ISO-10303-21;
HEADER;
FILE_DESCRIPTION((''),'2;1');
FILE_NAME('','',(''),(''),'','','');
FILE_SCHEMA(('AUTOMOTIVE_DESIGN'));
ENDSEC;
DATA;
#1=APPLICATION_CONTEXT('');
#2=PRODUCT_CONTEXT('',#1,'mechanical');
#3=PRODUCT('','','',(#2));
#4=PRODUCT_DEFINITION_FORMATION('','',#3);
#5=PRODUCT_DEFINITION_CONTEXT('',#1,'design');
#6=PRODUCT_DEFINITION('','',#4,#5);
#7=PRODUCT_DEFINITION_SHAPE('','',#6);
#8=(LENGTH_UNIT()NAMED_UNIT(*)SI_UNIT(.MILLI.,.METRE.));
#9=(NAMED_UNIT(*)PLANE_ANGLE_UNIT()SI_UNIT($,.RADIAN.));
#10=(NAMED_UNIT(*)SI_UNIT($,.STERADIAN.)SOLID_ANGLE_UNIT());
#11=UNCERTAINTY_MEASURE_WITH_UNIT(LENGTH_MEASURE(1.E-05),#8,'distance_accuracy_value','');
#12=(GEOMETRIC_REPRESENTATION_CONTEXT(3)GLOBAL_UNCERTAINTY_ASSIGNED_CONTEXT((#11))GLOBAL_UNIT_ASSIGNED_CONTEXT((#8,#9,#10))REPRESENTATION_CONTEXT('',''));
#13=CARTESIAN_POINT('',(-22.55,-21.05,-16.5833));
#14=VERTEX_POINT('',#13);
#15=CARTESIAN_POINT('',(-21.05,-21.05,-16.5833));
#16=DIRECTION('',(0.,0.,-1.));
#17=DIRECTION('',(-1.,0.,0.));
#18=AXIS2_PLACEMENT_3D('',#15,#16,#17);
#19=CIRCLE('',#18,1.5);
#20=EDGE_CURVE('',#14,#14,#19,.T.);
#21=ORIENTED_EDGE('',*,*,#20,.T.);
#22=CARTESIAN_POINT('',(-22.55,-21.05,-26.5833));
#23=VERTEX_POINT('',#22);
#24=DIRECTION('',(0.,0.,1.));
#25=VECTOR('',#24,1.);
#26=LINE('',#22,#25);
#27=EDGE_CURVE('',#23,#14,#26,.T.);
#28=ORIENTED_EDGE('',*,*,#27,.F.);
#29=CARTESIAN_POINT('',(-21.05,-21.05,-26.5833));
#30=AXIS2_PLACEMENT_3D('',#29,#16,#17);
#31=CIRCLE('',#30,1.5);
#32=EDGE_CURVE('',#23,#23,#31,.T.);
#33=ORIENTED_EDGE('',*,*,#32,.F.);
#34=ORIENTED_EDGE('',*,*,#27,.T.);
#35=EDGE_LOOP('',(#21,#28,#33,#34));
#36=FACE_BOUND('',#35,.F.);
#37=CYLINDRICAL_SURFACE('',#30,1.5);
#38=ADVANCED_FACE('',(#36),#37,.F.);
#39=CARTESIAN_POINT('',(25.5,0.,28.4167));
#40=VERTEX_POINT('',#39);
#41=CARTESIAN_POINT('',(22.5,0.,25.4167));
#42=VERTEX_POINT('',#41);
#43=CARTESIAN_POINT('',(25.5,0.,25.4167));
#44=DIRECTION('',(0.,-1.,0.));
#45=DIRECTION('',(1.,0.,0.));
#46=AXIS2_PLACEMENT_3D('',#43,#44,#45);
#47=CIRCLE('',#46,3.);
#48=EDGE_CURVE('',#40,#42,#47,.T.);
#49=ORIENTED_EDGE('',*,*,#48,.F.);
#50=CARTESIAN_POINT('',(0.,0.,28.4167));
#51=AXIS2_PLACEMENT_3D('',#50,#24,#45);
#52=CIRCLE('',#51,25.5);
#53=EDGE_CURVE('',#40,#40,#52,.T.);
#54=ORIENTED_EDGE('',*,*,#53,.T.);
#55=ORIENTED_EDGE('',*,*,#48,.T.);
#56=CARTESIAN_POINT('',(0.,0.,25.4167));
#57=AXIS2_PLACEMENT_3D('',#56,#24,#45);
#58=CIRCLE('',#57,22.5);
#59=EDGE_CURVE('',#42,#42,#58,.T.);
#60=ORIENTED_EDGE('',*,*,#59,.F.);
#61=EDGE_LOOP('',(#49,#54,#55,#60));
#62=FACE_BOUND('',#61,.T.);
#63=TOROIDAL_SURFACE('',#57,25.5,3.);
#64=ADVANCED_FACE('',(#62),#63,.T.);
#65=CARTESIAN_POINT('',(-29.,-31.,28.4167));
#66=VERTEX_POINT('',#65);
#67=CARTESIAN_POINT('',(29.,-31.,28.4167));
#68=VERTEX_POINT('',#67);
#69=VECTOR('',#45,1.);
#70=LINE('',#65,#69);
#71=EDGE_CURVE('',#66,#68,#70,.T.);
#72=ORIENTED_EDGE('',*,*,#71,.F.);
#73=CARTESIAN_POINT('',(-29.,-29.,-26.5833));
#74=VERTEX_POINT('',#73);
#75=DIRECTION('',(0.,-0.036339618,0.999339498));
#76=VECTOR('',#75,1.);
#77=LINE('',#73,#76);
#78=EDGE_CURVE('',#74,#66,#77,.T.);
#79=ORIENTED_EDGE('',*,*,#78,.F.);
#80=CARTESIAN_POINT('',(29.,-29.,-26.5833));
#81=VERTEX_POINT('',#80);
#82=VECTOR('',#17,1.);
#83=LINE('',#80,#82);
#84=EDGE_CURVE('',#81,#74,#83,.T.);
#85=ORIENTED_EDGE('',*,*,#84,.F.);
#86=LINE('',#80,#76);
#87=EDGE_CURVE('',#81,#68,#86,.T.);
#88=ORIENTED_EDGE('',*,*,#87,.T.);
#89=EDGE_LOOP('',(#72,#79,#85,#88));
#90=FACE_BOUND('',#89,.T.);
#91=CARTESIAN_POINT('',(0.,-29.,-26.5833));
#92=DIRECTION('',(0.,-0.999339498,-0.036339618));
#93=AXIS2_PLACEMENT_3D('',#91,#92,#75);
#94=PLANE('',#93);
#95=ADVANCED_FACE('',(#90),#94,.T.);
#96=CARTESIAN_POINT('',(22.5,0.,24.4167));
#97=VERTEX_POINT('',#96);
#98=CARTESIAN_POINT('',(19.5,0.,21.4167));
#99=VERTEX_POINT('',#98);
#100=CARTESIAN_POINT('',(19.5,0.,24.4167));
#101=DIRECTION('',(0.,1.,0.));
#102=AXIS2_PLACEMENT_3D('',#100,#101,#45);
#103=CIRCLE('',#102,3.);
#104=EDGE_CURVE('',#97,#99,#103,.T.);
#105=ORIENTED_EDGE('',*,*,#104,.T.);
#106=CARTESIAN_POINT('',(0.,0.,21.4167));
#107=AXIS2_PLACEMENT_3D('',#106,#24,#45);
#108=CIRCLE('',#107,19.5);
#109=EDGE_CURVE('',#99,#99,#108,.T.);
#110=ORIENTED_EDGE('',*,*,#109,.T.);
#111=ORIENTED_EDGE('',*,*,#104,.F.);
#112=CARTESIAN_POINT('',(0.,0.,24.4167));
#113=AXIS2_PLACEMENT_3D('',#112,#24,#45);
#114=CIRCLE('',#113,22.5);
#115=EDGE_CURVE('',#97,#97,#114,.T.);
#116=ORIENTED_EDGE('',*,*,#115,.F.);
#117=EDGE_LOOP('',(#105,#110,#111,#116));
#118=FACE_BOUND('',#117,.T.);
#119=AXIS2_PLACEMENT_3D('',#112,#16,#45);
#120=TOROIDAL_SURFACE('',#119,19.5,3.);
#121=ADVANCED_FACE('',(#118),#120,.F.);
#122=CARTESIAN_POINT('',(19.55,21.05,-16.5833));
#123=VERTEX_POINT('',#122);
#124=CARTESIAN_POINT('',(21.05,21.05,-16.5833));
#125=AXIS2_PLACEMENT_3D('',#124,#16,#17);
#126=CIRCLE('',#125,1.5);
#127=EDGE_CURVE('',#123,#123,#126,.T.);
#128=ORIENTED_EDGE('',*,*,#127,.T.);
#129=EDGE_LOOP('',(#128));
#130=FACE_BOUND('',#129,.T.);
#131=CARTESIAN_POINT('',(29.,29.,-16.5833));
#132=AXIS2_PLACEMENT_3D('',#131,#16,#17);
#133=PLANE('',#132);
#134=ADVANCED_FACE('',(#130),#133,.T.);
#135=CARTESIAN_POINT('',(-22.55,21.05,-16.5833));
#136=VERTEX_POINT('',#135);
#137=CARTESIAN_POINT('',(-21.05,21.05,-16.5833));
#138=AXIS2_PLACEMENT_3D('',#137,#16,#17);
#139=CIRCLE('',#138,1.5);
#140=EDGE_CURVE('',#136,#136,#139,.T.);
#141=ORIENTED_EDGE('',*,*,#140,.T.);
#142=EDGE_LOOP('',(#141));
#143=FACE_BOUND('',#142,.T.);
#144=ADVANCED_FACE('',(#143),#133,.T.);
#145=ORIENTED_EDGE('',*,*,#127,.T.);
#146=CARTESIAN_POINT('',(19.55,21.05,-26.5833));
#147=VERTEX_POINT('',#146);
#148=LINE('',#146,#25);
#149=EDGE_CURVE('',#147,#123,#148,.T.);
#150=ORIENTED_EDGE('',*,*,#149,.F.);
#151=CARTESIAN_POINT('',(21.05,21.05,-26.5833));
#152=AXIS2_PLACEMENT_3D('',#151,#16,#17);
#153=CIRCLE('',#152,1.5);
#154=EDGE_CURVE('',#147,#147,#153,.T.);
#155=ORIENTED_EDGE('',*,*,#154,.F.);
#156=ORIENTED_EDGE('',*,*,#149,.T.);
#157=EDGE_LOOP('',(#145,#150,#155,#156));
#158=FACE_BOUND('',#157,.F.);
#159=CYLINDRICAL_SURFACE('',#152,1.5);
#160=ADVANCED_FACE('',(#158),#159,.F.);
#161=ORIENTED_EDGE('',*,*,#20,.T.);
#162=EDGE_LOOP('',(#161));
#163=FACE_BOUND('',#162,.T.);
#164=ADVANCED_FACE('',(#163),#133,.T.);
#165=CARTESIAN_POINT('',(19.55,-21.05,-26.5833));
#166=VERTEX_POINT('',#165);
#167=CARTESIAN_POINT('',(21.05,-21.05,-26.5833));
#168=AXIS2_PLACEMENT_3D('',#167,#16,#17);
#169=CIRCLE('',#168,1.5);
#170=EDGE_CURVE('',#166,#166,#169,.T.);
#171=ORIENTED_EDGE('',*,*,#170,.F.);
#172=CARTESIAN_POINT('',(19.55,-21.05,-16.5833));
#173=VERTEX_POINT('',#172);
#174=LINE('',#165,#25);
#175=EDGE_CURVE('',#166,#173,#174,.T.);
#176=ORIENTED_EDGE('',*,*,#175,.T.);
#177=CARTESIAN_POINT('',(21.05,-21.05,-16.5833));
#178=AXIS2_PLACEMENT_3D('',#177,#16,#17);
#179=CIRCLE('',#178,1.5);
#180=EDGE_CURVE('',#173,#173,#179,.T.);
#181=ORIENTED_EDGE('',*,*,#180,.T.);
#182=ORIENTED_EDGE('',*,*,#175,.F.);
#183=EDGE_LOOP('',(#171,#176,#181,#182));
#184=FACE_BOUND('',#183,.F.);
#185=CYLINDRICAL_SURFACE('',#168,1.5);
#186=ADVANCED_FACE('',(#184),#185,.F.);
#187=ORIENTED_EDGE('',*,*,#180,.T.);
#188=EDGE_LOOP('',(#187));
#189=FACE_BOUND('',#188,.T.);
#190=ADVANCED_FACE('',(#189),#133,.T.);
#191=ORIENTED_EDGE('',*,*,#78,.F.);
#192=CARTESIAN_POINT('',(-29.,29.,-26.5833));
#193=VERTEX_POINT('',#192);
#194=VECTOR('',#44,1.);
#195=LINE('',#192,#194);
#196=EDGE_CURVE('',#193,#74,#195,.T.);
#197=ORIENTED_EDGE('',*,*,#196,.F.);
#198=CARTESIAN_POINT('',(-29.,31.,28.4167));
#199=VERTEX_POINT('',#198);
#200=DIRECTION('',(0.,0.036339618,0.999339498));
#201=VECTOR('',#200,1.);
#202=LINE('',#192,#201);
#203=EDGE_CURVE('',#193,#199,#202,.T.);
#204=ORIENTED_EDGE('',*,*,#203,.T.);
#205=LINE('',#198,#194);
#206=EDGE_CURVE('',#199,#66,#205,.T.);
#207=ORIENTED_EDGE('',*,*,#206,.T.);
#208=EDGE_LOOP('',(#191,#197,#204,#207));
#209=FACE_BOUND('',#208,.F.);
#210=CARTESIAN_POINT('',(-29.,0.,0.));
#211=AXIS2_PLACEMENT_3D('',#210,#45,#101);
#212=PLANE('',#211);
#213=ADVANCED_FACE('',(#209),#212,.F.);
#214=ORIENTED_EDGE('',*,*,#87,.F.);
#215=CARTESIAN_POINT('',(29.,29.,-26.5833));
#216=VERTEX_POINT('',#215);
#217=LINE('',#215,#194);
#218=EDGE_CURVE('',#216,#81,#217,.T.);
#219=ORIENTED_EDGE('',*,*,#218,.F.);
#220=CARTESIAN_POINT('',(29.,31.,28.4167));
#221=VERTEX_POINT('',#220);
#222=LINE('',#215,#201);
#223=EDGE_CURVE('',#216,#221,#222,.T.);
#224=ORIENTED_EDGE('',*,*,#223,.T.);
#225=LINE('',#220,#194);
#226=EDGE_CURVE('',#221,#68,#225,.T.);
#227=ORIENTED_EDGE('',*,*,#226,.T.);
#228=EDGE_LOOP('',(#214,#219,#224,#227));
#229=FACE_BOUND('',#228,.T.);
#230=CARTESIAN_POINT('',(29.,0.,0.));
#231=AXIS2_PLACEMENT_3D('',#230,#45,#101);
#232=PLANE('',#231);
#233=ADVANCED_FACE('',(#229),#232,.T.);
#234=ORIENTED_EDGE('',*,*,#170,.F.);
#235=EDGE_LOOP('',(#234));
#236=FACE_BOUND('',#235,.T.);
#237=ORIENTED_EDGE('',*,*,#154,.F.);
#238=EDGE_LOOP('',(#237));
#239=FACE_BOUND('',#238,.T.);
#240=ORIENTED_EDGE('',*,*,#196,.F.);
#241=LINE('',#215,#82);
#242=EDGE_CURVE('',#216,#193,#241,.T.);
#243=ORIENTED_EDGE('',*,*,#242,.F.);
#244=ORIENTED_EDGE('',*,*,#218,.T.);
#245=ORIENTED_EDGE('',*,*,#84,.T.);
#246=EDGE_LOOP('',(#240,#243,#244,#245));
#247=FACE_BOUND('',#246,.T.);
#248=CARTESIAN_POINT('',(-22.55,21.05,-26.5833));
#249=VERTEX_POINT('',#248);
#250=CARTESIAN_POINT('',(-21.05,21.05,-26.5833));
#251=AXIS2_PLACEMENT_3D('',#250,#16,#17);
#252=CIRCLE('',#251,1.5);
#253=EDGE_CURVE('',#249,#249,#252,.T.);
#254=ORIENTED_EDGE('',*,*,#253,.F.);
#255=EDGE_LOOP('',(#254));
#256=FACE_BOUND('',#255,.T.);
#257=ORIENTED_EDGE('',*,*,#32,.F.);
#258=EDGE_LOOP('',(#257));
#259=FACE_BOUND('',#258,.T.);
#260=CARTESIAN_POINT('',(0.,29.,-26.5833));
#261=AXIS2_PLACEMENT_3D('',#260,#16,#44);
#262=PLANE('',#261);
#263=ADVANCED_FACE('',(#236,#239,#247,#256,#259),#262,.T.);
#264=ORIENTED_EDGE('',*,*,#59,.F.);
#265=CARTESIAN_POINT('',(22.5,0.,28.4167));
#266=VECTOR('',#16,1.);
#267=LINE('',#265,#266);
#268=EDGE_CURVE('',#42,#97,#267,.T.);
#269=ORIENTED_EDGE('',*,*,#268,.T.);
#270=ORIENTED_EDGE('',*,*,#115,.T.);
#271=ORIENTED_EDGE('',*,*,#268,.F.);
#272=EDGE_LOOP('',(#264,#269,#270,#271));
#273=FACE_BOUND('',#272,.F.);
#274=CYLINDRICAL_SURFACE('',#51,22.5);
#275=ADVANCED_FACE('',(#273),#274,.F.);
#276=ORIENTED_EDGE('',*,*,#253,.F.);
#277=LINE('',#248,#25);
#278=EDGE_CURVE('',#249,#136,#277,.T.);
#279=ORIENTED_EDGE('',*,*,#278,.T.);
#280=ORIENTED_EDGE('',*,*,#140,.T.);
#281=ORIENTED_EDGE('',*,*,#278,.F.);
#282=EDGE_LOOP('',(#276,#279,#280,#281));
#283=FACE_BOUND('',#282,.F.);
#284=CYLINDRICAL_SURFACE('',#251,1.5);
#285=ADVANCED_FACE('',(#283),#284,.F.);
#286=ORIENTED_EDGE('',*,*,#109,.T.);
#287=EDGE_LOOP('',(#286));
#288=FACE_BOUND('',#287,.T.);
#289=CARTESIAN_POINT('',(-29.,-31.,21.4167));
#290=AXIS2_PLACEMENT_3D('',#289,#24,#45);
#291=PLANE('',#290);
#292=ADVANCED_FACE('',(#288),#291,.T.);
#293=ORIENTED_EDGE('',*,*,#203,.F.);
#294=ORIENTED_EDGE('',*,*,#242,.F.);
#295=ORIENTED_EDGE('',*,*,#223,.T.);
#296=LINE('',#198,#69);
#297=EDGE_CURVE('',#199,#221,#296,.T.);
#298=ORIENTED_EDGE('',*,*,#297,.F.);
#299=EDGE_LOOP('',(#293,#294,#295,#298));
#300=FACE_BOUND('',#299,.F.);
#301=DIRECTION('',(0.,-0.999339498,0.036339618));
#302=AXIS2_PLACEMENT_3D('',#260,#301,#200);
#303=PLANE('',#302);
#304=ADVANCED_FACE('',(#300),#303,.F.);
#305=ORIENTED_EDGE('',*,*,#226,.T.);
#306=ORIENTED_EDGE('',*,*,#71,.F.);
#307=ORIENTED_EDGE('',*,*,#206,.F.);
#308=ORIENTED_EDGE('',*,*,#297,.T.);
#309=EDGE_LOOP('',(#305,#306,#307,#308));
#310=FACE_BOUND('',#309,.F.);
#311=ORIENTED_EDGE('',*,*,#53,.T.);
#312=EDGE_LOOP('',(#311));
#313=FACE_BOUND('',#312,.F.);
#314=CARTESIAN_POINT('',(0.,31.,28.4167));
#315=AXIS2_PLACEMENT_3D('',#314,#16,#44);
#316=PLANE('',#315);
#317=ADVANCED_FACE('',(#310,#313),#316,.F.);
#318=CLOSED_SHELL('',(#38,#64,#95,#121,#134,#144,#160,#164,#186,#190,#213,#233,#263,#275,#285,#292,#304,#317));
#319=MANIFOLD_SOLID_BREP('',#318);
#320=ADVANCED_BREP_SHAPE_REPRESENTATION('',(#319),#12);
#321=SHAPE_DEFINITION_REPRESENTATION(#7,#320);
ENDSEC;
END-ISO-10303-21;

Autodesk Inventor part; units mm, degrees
ref_plane "YZ Plane" through (0, 0, 0) normal (1, 0, 0) x (0, 1, 0)
ref_plane "XZ Plane" through (0, 0, 0) normal (0, 1, 0) x (-1, 0, 0)
ref_plane "XY Plane" through (0, 0, 0) normal (0, 0, 1) x (1, 0, 0)
sketch "Эскиз1" plane through (0, 0, 0) normal (1, 0, 0) x (0, 1, 0)
  line L0 (31, 28.4167) -> (-31, 28.4167)
  line L1 (29, -26.5833) -> (-29, -26.5833)
  line L2 (-29, -26.5833) -> (-31, 28.4167)
  line L3 (29, -26.5833) -> (31, 28.4167)
  line L4 (29, -26.5833) -> (-31, 28.4167) construction
  line L5 (31, 28.4167) -> (-29, -26.5833) construction
  line L6 (0, 39.4167) -> (0, -37.5833) construction
  point P0 (0, 0)
  point P1 (0, 0)
  point P2 (0, 0)
  point P3 (0, 28.4167)
  dimension "d0" = 58
  dimension "d1" = 62
  dimension "d2" = 55
extrude "Выдавливание1" add sketch "Эскиз1" along normal mid plane 58
sketch "Эскиз2" plane through (-29, -31, 28.4167) normal (0, 0, 1) x (1, 0, 0)
  circle A0 centre (29, 31) radius 22.5
  dimension "d5" = 45
extrude "Выдавливание2" cut sketch "Эскиз2" against normal blind 7
fillet "Сопряжение1" radius 3 2 edges at (-22.5, 0, 21.4167) (-22.5, 0, 28.4167)
sketch "Эскиз4" plane through (29, 29, -26.5833) normal (0, 0, -1) x (-1, 0, 0)
  circle A0 centre (7.95, -7.95) radius 1.5
  circle A1 centre (7.95, -50.05) radius 1.5
  circle A2 centre (50.05, -50.05) radius 1.5
  circle A3 centre (50.05, -7.95) radius 1.5
  line L0 (0, -58) -> (0, 0) projected
  line L1 (58, 0) -> (0, 0) projected
  line L2 (29, -21.9997) -> (29, -36.0003) construction
  line L3 (24.7856, -29) -> (33.2144, -29) construction
  line L4 (33.2144, -29) -> (24.7856, -29) construction
  line L5 (7.95, -7.95) -> (50.05, -7.95) construction
  line L6 (50.05, -7.95) -> (50.05, -50.05) construction
  line L7 (50.05, -50.05) -> (7.95, -50.05) construction
  line L8 (7.95, -7.95) -> (7.95, -50.05) construction
  line L9 (7.95, -7.95) -> (50.05, -50.05) construction
  line L10 (7.95, -50.05) -> (50.05, -7.95) construction
  point P0 (29, -29)
  point P1 (29, -29)
  point P2 (29, -29)
  dimension "d15" = 3
  dimension "d24" = 42.1
extrude "Выдавливание5" cut sketch "Эскиз4" against normal blind 10
properties part number "Колонка"
